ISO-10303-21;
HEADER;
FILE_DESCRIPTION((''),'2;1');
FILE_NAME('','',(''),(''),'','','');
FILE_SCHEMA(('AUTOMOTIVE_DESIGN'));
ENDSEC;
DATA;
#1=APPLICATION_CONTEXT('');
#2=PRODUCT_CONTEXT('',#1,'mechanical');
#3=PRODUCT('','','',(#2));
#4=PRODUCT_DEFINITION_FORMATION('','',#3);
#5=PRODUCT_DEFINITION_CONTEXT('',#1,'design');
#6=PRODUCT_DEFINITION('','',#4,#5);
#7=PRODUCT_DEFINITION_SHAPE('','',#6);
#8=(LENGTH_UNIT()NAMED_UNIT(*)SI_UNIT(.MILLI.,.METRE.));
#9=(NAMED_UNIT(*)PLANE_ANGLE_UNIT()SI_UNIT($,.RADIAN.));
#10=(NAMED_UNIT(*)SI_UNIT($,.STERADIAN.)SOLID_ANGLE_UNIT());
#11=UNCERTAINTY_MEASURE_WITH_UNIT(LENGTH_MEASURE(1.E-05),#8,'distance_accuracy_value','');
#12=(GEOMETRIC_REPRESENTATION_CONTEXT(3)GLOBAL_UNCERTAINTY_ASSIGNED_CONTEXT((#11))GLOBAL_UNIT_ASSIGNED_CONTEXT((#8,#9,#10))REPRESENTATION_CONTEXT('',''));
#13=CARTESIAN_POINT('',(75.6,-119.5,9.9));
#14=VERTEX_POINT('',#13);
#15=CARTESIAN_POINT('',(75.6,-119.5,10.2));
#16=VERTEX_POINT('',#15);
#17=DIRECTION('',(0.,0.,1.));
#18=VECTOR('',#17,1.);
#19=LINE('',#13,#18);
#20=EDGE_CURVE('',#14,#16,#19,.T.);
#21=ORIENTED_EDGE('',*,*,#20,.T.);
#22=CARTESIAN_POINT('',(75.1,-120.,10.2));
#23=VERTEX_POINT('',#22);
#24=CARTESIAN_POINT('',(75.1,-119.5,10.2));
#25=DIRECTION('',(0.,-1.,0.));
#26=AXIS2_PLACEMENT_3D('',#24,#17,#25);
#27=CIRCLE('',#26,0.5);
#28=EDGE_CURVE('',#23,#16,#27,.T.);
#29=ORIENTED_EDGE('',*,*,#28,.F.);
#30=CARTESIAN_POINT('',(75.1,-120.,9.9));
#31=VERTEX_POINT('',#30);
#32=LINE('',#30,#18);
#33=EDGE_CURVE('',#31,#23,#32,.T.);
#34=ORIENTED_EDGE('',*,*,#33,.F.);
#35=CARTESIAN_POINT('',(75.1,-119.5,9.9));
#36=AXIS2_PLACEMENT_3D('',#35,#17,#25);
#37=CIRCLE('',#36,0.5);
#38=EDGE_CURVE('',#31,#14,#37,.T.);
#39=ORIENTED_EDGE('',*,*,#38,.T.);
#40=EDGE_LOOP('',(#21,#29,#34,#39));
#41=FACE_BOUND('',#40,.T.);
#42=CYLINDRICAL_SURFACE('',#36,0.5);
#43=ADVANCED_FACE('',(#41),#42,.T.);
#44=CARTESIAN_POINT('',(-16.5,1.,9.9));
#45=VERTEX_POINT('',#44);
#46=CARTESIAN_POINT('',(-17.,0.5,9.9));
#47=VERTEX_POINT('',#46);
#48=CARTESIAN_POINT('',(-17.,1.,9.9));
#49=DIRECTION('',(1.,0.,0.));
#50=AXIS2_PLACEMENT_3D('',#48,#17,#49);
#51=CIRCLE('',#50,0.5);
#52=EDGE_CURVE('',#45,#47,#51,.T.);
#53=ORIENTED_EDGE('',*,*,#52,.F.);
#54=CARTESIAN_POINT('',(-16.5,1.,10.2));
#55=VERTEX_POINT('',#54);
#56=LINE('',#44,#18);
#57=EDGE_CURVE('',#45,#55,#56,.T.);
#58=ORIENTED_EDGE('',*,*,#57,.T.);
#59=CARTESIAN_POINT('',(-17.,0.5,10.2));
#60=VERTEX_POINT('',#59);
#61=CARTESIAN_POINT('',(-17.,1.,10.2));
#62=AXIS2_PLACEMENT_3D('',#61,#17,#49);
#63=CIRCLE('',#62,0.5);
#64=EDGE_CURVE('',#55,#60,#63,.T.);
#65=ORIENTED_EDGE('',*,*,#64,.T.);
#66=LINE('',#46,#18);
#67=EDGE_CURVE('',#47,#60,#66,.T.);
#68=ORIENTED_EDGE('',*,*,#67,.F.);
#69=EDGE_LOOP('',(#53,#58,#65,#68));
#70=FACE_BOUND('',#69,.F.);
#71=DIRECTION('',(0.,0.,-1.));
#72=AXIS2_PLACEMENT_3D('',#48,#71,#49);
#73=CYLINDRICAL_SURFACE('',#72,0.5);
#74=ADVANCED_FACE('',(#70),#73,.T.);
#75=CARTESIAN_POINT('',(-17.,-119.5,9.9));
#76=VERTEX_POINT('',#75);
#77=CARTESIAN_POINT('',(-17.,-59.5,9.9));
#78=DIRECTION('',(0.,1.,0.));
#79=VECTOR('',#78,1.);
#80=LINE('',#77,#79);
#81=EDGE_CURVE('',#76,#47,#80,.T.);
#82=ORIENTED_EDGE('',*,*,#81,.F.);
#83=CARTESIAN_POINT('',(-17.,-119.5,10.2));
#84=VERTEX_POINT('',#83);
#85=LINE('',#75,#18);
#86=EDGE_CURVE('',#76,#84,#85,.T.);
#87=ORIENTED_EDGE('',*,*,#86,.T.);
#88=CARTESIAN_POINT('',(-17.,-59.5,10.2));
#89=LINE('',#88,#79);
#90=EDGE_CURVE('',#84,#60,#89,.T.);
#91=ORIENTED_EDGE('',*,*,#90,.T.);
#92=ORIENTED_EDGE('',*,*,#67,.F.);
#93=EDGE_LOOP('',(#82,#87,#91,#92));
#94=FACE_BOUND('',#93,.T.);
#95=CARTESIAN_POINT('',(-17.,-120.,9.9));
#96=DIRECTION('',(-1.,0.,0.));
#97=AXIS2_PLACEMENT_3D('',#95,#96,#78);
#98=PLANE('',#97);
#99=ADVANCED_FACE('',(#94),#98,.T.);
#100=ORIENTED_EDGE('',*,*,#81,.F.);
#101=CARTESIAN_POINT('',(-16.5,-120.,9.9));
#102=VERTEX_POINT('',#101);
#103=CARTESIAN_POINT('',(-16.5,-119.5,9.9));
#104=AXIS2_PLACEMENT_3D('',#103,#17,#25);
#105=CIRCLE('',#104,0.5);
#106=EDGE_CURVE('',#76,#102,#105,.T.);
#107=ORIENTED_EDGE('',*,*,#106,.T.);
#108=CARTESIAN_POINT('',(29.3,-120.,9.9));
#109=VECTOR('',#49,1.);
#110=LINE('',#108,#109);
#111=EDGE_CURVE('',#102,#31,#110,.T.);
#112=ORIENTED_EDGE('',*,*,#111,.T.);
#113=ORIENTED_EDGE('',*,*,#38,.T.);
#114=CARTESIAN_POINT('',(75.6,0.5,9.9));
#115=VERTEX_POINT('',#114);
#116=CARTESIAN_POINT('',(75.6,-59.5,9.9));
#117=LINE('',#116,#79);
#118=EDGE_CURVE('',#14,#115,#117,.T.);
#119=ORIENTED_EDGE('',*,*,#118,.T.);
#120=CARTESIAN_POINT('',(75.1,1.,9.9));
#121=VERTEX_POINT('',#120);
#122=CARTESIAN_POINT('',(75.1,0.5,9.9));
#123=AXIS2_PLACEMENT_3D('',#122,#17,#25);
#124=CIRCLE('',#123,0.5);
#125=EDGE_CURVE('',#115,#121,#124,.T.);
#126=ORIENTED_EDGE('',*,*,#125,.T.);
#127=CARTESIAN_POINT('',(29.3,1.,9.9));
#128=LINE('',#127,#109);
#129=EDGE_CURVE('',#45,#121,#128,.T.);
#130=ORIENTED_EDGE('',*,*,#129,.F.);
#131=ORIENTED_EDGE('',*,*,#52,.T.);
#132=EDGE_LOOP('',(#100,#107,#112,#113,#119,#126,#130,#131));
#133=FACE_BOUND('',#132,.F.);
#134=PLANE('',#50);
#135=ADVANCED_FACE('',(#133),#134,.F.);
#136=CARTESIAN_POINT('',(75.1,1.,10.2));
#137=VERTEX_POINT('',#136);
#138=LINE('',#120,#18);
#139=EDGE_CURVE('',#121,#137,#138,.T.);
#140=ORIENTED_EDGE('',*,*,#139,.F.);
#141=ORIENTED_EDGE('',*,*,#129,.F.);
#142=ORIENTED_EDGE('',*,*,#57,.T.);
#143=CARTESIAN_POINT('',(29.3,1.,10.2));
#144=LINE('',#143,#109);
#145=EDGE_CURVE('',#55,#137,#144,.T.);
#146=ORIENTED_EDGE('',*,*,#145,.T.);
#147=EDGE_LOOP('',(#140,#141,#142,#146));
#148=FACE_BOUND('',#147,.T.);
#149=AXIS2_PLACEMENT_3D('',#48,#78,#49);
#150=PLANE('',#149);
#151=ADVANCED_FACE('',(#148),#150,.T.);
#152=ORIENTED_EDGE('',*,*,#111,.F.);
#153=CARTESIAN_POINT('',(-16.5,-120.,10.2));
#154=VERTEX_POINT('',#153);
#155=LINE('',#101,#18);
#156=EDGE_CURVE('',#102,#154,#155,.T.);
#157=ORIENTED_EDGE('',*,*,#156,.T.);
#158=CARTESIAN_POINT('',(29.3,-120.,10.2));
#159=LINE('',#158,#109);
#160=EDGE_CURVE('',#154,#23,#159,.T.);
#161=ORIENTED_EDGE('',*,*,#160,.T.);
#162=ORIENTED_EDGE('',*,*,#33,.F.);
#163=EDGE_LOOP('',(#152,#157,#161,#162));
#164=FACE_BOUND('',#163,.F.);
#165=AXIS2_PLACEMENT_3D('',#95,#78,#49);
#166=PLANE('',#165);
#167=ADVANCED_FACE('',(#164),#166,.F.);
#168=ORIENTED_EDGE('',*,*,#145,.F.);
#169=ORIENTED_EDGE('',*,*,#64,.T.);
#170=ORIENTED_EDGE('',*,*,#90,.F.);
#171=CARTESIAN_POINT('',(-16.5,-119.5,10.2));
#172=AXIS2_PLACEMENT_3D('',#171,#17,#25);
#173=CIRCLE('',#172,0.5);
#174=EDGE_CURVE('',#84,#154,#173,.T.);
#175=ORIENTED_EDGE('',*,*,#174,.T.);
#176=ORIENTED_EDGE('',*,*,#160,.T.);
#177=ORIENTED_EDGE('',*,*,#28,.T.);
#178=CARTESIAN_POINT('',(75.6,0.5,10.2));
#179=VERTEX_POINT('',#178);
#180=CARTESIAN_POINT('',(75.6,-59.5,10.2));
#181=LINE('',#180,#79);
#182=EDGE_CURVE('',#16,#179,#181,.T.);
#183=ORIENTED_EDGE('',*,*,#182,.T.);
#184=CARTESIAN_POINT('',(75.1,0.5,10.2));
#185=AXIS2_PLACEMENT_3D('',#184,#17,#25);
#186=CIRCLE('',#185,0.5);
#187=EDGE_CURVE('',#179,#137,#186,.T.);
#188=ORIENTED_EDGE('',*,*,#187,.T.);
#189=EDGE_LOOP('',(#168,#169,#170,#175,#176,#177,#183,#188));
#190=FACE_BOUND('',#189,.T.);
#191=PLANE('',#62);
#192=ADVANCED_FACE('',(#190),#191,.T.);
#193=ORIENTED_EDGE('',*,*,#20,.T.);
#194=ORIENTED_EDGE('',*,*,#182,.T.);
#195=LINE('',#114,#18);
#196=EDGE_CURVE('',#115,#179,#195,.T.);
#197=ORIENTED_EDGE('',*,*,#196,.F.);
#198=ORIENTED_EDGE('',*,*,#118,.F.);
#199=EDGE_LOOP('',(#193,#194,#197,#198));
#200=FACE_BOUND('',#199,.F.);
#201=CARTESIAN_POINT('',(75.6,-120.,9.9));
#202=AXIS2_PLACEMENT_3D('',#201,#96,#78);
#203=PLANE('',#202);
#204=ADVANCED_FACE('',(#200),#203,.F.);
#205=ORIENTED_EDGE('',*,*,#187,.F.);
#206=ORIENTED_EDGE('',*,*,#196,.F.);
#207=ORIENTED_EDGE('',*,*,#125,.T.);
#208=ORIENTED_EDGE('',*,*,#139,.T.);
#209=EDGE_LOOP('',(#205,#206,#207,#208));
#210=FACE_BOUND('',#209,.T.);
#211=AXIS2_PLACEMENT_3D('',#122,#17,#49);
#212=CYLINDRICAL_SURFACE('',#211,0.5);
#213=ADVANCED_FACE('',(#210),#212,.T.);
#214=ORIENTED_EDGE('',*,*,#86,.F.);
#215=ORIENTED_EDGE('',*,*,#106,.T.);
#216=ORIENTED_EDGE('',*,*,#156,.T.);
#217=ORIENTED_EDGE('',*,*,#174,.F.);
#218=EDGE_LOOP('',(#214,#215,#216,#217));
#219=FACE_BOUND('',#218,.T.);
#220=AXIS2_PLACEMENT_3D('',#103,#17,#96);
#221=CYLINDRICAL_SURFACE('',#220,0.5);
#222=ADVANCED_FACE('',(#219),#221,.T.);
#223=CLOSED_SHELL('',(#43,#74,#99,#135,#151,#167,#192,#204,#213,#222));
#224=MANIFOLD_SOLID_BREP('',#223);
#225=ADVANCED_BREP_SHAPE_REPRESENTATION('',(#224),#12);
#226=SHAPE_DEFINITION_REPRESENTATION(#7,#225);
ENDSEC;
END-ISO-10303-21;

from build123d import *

# Parameters (mm, degrees)
CYLINDER_R     = 0.5
CYLINDER_DEPTH = 0.3
BOX003_W       = 92.6
BOX003_H       = 121
BOX003_DEPTH   = 0.3
FILLET001_R    = 0.5
FILLET002_R    = 0.5
FILLET003_R    = 0.5
FILLET004_R    = 0.5


with BuildPart() as cylinder:
    # Cylinder → Cylinder (new body)
    with BuildSketch(Plane(origin=(-17, 1, 10), x_dir=(1, 0, 0), z_dir=(0, 0, 1))):
        Circle(CYLINDER_R)
    extrude(amount=CYLINDER_DEPTH)


with BuildPart() as displaybase001:
    # Box003 → Box003 (new body)
    with BuildSketch(Plane(origin=(-17, -120, 10), x_dir=(1, 0, 0), z_dir=(0, 0, 1))):
        with Locations((46.3, 60.5)):
            Rectangle(BOX003_W, BOX003_H)
    extrude(amount=BOX003_DEPTH)

    # Fillet001
    fillet001_edges = [displaybase001.edges().sort_by_distance(p)[0] for p in [
        (-17, 1, 10.15),
    ]]
    fillet(fillet001_edges, radius=FILLET001_R)

    # Fillet002
    fillet002_edges = [displaybase001.edges().sort_by_distance(p)[0] for p in [
        (-17, -120, 10.15),
    ]]
    fillet(fillet002_edges, radius=FILLET002_R)

    # Fillet003
    fillet003_edges = [displaybase001.edges().sort_by_distance(p)[0] for p in [
        (75.6, -120, 10.15),
    ]]
    fillet(fillet003_edges, radius=FILLET003_R)

    # Fillet004
    fillet004_edges = [displaybase001.edges().sort_by_distance(p)[0] for p in [
        (75.6, 1, 10.15),
    ]]
    fillet(fillet004_edges, radius=FILLET004_R)

    # Fusion: union Cylinder
    add(cylinder.part)


with BuildPart() as displaybase001_1:
    # Fusion placement: moved
    add(displaybase001.part.moved(Location((0, 0, -0.1))))


solid = displaybase001_1.part
